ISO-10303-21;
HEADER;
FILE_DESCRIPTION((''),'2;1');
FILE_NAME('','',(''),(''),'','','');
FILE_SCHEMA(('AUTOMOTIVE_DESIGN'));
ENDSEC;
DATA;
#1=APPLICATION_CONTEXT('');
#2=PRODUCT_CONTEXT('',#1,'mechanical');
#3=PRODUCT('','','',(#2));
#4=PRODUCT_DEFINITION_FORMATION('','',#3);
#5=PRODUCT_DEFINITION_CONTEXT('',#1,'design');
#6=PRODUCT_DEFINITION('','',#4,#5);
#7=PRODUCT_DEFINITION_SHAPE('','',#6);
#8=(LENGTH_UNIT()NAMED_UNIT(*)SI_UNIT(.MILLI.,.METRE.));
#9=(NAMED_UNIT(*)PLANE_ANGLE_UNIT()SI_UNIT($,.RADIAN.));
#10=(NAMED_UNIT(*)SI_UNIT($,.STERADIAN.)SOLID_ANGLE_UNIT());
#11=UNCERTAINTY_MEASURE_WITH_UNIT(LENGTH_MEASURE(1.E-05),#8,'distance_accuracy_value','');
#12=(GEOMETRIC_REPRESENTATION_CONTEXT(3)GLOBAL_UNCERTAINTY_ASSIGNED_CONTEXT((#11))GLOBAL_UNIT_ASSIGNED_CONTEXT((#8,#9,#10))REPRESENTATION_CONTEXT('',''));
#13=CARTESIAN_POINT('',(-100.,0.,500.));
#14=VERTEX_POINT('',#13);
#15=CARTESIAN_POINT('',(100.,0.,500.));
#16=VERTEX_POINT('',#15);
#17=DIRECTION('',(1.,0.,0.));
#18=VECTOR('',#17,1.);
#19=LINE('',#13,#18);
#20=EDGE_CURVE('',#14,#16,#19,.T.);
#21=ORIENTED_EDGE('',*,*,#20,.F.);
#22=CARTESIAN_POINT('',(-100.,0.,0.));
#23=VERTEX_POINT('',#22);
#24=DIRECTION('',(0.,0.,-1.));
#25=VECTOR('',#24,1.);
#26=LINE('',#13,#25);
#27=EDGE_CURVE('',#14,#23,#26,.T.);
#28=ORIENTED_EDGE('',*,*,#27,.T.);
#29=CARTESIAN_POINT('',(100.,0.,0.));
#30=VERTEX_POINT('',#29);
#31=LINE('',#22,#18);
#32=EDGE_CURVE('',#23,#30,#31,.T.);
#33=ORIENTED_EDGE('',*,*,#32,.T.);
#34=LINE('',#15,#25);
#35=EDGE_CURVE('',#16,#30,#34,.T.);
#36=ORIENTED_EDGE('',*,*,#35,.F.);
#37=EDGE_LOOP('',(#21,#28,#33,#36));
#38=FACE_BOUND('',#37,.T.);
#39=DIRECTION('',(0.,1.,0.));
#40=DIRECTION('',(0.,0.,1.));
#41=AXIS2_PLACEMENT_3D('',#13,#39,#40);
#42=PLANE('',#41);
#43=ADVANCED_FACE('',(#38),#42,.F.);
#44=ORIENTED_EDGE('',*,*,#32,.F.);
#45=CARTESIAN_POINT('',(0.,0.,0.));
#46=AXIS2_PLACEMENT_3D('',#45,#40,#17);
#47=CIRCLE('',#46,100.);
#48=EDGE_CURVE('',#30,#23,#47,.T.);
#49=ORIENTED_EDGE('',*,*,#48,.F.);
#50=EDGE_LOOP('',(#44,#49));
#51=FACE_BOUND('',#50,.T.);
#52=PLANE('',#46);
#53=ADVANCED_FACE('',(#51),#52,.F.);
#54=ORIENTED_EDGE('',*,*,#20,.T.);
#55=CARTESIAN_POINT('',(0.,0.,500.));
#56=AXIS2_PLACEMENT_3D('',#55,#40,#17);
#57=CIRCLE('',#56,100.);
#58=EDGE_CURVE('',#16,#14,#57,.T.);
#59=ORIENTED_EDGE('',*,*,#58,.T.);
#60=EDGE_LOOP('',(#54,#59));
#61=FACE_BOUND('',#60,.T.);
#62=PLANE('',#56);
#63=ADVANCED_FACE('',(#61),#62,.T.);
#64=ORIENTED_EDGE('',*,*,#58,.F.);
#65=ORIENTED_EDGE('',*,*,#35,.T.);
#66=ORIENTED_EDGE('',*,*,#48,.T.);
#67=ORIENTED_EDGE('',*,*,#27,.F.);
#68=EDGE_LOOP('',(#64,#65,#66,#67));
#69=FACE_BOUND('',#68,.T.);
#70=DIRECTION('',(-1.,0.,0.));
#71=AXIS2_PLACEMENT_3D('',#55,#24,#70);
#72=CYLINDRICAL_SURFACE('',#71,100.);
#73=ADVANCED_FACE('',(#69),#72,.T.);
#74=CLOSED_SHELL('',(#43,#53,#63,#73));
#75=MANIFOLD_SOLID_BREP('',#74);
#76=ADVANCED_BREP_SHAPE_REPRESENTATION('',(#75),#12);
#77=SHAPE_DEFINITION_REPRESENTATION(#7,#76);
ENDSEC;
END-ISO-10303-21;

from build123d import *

# Parameters (mm, degrees)
BOSS_EXTRUDE1_DEPTH = 500


with BuildPart() as part:
    # Sketch1 → Boss-Extrude1 (new body)
    with BuildSketch(Plane.XY):
        with BuildLine():
            Line((-100, 0), (100, 0))
            ThreePointArc((100, 0), (0, 100), (-100, 0))
        make_face()
    extrude(amount=BOSS_EXTRUDE1_DEPTH)


solid = part.part
